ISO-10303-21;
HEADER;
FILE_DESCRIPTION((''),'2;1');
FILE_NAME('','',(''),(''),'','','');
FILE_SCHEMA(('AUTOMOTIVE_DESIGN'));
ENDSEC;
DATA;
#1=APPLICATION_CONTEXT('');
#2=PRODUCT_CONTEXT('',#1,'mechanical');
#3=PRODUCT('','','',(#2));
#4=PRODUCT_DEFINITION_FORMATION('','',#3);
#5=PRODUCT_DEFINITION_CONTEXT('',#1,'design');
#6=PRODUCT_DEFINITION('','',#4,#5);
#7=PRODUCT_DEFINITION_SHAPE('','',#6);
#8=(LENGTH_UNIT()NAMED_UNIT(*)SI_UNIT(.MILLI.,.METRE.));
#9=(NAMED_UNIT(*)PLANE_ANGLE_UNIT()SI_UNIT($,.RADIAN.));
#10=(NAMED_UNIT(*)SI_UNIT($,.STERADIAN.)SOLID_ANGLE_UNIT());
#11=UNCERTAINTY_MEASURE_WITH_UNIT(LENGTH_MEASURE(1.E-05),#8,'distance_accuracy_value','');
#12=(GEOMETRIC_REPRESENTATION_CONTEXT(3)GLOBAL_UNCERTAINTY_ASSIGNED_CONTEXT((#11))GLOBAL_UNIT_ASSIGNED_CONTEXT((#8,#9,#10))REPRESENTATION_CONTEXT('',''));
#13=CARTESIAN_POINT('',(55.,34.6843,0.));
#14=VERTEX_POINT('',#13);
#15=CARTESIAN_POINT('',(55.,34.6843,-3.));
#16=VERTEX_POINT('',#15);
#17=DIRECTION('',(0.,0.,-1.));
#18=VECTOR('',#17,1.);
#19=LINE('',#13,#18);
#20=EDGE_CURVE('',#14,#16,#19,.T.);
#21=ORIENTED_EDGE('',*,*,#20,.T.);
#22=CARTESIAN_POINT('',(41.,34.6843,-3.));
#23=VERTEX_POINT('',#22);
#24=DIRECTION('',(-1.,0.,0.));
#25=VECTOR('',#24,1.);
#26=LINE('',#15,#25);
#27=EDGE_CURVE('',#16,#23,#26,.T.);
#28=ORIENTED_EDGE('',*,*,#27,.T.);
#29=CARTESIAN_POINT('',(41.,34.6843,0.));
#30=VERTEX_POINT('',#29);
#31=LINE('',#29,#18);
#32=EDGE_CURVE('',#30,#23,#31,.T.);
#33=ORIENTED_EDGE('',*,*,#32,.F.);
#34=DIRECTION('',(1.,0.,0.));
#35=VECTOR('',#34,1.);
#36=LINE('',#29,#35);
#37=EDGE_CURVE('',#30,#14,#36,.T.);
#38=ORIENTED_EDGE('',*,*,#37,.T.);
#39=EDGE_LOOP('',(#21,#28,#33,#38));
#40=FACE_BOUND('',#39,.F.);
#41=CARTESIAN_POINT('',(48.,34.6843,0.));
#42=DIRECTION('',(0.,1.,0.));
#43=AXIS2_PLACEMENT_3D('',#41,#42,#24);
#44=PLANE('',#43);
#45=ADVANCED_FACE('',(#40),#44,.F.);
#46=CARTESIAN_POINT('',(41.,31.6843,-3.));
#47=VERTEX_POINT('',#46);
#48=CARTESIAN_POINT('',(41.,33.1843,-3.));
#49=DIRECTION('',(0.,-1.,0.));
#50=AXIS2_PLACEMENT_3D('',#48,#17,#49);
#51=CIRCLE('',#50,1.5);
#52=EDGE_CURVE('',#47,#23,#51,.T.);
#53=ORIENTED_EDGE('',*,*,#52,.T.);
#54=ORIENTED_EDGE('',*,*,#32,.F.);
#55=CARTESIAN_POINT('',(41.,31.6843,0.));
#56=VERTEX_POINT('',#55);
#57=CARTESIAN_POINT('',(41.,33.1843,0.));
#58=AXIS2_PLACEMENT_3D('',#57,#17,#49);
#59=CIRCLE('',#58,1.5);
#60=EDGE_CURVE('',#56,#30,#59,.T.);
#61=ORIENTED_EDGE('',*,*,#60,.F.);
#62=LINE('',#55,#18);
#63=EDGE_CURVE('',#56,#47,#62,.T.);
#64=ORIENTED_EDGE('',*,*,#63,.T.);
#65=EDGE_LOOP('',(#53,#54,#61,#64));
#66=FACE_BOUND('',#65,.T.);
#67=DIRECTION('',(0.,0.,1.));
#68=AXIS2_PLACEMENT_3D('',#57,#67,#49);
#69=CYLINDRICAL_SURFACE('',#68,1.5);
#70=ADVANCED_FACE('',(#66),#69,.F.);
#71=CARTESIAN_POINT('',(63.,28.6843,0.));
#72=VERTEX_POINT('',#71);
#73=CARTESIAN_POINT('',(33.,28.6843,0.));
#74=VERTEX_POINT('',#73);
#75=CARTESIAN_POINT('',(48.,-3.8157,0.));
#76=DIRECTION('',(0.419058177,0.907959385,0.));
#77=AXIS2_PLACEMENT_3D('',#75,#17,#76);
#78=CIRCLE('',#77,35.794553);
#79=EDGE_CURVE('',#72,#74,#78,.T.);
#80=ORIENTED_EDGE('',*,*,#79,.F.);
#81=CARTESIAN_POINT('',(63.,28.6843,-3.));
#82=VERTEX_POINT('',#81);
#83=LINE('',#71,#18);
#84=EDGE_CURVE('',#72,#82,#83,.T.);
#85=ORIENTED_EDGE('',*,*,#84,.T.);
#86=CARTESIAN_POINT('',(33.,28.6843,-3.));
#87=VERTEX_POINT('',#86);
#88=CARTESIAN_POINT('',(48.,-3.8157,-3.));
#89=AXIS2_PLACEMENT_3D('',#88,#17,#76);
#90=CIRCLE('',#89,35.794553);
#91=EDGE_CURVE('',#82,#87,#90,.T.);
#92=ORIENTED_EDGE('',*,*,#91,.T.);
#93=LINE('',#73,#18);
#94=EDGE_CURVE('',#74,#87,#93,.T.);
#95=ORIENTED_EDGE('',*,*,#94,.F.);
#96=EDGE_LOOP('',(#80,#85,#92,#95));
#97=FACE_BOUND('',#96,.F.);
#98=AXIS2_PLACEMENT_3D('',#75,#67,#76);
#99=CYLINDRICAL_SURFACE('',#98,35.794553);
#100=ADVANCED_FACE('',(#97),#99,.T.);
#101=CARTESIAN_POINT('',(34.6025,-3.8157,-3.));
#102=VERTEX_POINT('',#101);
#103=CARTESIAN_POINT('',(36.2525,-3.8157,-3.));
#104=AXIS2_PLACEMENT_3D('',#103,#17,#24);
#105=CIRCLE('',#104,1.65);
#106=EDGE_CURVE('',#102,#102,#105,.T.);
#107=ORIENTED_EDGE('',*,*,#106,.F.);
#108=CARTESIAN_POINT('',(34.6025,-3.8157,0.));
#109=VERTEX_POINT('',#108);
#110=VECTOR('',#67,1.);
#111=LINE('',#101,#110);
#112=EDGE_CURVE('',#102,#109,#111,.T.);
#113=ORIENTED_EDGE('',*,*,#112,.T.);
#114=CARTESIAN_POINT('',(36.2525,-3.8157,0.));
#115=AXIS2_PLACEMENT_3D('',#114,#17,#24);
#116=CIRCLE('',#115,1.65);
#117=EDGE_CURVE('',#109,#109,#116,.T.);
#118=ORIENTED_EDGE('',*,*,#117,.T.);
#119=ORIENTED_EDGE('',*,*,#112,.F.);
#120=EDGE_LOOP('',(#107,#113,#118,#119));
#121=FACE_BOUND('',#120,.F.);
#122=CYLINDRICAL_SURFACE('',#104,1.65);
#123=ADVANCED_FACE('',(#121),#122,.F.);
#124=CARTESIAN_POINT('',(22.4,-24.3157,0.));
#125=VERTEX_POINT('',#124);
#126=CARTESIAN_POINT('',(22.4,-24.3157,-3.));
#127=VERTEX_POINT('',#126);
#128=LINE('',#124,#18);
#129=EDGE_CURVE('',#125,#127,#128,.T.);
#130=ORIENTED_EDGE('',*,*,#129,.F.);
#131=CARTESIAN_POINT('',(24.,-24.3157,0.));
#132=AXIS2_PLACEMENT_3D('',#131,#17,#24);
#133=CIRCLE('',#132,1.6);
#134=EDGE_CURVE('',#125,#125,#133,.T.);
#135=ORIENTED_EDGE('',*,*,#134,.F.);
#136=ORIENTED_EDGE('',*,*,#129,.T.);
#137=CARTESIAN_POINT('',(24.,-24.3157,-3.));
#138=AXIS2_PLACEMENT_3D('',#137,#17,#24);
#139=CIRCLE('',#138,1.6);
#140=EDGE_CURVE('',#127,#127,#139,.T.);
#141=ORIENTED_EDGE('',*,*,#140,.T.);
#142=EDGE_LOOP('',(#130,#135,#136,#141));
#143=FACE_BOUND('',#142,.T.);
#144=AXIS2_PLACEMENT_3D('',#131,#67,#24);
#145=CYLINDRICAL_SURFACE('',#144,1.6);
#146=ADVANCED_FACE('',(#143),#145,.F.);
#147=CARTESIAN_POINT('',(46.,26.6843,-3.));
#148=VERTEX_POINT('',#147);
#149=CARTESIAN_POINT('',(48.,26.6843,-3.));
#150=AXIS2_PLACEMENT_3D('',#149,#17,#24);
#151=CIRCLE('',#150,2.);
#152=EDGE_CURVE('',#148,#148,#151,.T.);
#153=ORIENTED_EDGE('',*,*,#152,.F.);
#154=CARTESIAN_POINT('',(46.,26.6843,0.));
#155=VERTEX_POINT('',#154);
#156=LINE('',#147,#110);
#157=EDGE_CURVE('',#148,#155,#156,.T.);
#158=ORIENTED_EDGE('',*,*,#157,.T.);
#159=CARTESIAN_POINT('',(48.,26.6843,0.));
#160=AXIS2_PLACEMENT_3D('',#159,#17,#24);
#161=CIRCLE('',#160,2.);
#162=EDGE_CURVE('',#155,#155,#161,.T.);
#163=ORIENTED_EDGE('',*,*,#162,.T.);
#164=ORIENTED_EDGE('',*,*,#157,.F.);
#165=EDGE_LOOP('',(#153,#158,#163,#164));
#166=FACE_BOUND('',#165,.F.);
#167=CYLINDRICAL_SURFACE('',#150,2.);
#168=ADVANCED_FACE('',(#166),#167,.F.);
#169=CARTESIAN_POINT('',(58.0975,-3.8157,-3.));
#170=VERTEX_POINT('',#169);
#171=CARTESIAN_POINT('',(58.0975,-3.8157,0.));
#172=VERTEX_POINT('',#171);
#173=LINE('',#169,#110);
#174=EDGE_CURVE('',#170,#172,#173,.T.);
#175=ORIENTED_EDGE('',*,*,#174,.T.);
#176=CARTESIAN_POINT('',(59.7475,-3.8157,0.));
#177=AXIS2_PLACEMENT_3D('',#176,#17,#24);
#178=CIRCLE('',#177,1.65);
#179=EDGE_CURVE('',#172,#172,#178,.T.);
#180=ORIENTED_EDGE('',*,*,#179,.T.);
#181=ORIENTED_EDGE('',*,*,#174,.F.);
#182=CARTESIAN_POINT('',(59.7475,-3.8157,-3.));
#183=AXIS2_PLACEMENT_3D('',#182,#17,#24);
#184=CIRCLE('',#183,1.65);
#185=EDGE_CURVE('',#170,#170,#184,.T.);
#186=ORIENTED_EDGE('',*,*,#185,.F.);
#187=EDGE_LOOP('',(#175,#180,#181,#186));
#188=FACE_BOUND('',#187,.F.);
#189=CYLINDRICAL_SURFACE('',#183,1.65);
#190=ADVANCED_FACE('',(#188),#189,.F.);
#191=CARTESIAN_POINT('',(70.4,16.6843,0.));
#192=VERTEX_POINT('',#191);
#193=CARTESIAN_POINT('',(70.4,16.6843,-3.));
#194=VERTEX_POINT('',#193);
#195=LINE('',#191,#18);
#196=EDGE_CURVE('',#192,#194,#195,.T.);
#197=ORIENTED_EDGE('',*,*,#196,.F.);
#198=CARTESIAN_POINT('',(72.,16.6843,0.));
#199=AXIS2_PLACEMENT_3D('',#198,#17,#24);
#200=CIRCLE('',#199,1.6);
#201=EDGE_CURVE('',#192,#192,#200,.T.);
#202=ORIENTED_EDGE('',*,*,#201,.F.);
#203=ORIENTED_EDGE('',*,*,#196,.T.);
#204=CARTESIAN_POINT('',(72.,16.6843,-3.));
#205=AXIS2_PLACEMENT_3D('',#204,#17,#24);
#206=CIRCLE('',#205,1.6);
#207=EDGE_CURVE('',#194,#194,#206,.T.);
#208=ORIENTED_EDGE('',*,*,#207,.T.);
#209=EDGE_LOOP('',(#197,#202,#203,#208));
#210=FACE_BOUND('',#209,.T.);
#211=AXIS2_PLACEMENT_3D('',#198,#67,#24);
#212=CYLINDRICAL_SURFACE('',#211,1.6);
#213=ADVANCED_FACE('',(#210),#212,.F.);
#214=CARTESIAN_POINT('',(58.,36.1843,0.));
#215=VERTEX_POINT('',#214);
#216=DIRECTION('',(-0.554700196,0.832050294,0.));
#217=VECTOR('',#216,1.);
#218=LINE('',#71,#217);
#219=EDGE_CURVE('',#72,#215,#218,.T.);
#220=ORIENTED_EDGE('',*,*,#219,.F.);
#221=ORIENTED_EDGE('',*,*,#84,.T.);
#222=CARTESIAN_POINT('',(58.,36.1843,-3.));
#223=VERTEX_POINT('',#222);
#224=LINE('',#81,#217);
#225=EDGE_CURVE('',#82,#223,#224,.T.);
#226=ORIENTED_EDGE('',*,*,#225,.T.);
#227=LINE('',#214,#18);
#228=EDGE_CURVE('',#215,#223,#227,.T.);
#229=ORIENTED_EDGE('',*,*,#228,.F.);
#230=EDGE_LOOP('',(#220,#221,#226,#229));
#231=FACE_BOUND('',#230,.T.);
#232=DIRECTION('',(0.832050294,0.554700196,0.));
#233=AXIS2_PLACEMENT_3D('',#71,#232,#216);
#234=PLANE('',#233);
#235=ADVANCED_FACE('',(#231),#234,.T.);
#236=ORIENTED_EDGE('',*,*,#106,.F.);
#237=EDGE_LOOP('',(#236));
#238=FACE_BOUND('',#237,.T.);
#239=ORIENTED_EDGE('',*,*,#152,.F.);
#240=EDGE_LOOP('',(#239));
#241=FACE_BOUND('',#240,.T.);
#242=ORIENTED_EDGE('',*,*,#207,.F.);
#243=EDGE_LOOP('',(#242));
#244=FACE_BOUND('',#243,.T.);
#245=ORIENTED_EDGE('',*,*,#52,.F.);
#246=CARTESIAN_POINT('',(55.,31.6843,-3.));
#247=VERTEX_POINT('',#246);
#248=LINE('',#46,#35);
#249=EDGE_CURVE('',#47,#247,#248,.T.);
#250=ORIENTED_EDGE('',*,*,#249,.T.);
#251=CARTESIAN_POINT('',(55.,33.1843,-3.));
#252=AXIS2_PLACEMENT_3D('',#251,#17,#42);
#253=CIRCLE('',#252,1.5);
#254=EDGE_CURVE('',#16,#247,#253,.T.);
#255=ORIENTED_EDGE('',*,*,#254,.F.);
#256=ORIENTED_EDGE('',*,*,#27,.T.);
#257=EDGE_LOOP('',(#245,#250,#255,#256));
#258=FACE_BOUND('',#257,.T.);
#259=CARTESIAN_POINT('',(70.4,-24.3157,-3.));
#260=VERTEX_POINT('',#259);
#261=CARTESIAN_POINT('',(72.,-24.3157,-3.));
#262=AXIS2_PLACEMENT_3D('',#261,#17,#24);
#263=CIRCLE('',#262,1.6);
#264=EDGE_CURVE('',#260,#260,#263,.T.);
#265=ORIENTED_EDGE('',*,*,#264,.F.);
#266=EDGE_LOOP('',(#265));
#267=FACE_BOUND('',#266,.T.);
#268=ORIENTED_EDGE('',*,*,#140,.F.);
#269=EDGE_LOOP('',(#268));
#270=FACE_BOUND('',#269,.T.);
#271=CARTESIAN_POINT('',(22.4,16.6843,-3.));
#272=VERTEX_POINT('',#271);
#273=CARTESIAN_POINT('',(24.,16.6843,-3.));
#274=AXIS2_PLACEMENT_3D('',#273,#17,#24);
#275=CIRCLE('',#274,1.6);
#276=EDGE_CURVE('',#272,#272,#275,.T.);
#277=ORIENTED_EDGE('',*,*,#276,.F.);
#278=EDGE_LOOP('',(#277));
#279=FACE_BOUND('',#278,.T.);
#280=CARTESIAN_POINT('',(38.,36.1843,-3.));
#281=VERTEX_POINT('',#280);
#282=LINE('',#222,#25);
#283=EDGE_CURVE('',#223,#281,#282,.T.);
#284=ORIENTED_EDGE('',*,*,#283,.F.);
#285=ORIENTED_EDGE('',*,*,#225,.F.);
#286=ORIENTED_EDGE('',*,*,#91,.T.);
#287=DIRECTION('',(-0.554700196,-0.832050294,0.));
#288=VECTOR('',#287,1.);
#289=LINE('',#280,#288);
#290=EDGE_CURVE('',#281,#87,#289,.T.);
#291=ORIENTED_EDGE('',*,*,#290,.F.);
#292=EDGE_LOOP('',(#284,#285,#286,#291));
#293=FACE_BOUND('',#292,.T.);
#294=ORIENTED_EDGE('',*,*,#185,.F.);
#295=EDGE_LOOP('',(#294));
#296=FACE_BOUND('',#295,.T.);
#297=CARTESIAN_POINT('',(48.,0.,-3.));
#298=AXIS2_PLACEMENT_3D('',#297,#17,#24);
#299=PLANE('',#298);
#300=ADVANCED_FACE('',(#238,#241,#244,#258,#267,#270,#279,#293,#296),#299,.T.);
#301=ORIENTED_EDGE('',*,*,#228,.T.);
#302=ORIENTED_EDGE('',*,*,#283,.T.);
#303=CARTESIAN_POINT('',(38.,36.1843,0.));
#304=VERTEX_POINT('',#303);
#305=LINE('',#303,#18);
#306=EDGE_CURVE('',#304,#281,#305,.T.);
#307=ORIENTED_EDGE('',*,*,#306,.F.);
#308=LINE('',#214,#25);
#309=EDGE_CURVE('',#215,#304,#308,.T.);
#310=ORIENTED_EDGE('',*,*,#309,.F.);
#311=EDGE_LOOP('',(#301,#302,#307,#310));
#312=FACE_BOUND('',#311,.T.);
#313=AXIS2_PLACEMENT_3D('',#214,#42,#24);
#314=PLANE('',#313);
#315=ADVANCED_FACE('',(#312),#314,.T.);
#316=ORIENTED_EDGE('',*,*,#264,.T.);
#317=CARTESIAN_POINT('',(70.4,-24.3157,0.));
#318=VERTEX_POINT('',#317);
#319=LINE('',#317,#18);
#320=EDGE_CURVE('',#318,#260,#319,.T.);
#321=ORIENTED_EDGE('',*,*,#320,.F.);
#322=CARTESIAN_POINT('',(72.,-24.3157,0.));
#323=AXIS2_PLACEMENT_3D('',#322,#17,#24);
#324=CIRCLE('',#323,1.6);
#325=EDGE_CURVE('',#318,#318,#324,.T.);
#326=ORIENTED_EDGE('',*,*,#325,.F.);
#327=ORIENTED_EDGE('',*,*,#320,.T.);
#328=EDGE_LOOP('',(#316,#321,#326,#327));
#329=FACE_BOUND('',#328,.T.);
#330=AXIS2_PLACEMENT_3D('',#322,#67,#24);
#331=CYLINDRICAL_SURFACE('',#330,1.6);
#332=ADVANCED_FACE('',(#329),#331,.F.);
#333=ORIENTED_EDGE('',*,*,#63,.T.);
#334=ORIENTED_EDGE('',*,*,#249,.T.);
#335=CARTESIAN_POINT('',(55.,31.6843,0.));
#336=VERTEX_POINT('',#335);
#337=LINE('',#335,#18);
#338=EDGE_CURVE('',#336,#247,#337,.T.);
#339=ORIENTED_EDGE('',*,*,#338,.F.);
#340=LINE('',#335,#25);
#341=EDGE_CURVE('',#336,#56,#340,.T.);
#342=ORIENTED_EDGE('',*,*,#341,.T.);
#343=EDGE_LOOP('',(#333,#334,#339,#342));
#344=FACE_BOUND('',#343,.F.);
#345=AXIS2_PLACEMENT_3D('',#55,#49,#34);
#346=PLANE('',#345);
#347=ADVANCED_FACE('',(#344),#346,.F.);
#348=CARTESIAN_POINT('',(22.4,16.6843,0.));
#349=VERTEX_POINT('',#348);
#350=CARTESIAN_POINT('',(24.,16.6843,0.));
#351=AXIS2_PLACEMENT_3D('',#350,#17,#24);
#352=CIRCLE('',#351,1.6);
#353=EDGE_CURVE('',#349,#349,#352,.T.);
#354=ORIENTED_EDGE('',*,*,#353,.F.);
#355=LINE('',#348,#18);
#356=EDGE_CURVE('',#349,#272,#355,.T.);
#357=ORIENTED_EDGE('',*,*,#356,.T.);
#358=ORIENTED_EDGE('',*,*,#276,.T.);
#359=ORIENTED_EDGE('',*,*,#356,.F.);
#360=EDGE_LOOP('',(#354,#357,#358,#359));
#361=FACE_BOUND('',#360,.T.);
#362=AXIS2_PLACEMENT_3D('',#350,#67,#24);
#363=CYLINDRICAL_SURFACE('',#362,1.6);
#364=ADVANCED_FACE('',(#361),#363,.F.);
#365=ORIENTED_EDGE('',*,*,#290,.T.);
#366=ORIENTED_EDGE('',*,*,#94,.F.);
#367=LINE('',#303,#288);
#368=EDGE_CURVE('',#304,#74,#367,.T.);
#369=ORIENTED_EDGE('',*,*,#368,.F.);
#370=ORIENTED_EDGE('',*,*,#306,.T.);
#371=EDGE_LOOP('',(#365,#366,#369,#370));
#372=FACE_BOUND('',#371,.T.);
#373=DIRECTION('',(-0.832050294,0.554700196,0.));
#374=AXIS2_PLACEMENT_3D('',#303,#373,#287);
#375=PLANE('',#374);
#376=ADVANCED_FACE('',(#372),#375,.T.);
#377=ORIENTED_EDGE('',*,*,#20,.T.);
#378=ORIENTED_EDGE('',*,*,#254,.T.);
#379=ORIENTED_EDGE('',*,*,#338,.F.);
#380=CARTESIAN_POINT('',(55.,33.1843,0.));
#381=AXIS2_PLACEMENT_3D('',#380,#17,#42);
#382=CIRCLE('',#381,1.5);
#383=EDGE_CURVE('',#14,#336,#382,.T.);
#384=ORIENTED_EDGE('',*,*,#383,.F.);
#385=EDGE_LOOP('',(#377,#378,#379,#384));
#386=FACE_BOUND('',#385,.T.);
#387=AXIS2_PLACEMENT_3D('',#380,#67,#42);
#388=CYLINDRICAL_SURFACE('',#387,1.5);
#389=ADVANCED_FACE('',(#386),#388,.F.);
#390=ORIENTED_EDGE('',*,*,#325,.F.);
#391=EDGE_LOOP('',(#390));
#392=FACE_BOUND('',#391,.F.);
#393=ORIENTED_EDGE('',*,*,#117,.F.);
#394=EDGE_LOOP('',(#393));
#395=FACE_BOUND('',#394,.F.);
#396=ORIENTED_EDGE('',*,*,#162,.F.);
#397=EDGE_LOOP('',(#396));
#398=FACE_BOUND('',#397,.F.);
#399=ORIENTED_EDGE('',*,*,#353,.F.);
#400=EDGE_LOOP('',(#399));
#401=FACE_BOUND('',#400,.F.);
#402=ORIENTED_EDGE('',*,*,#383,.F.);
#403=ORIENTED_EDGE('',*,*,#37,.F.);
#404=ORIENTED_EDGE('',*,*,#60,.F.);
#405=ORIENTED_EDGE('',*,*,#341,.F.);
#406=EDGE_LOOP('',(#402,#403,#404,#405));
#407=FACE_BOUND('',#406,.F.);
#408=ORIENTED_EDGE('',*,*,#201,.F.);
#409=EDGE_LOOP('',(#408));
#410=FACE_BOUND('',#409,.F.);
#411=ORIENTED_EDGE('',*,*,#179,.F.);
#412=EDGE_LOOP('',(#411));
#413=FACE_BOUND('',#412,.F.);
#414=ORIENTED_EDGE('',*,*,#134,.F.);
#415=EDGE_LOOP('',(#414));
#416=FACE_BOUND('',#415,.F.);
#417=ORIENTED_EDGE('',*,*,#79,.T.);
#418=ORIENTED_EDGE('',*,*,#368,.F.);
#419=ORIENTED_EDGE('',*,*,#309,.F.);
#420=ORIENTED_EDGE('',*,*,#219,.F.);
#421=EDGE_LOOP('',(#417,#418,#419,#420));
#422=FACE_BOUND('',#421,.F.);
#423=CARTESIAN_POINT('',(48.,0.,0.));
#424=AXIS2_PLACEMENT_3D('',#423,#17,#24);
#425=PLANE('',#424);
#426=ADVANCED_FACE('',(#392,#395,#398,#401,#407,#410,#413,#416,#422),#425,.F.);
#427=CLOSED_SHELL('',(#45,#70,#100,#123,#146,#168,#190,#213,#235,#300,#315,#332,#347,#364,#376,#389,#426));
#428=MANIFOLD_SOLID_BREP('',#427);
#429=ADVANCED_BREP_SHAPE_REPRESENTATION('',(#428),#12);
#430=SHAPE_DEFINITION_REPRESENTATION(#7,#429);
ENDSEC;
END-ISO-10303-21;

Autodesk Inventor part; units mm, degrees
ref_plane "YZ Plane" through (0, 0, 0) normal (1, 0, 0) x (0, 1, 0)
ref_plane "XZ Plane" through (0, 0, 0) normal (0, 1, 0) x (-1, 0, 0)
ref_plane "XY Plane" through (0, 0, 0) normal (0, 0, 1) x (1, 0, 0)
sketch "Sketch1" plane through (48, 0, 0) normal (0, 0, -1) x (-1, 0, 0)
  arc A0 (-15, 28.6843) -> (15, 28.6843) centre (0, -3.8157) ccw projected
  line L0 (-15, 28.6843) -> (-10, 36.1843) projected
  line L1 (0, 31.6843) -> (-7, 31.6843) projected
  arc A1 (-7, 34.6843) -> (-7, 31.6843) centre (-7, 33.1843) ccw projected
  line L2 (-10, 36.1843) -> (10, 36.1843) projected
  line L3 (10, 36.1843) -> (15, 28.6843) projected
  line L4 (0, 34.6843) -> (7, 34.6843) projected
  arc A2 (7, 31.6843) -> (7, 34.6843) centre (7, 33.1843) ccw projected
  line L5 (7, 31.6843) -> (0, 31.6843) projected
  circle A3 centre (24, 16.6843) radius 1.6 projected
  circle A4 centre (-24, 16.6843) radius 1.6 projected
  line L6 (-7, 34.6843) -> (0, 34.6843) projected
  circle A5 centre (24, -24.3157) radius 1.6 projected
  circle A6 centre (-24, -24.3157) radius 1.6 projected
  point P0 (48, 0)
extrude "Extrusion1" add sketch "Sketch1" along normal blind 3
sketch "Sketch2" plane through (48, 0, -3) normal (0, 0, -1) x (-1, 0, 0)
  line L0 (-20, 23.6843) -> (20, 23.6843) construction
  line L1 (20, 23.6843) -> (20, -31.3157) construction
  line L2 (20, -31.3157) -> (-20, -31.3157) construction
  line L3 (-20, -31.3157) -> (-20, 23.6843) construction
  circle A0 centre (11.7475, -3.8157) radius 1.65
  circle A1 centre (-11.7475, -3.8157) radius 1.65
  line L4 (0, -3.8157) -> (-11.7475, -3.8157) construction
  line L5 (0, -3.8157) -> (11.7475, -3.8157) construction
  circle A2 centre (24, 16.6843) radius 1.6 construction
  circle A3 centre (-24, 16.6843) radius 1.6 construction
  circle A4 centre (-24, -24.3157) radius 1.6 construction
  circle A5 centre (24, -24.3157) radius 1.6 construction
  line L6 (20, 23.6843) -> (24, 16.6843) construction
  line L7 (20, -31.3157) -> (24, -24.3157) construction
  line L8 (-20, 23.6843) -> (-24, 16.6843) construction
  line L9 (-20, -31.3157) -> (-24, -24.3157) construction
  circle A6 centre (0, 26.6843) radius 2
  line L10 (-20, 23.6843) -> (0, 26.6843) construction
  line L11 (0, 26.6843) -> (20, 23.6843) construction
  arc A7 (-15, 28.6843) -> (15, 28.6843) centre (0, -3.8157) ccw construction
  dimension "d2" = 55
  dimension "d3" = 40
  dimension "d4" = 3.3
  dimension "d5" = 23.495
  dimension "d8" = 4
  dimension "d9" = 3
extrude "Extrusion2" cut sketch "Sketch2" against normal through all
properties part number "Back Plate"
